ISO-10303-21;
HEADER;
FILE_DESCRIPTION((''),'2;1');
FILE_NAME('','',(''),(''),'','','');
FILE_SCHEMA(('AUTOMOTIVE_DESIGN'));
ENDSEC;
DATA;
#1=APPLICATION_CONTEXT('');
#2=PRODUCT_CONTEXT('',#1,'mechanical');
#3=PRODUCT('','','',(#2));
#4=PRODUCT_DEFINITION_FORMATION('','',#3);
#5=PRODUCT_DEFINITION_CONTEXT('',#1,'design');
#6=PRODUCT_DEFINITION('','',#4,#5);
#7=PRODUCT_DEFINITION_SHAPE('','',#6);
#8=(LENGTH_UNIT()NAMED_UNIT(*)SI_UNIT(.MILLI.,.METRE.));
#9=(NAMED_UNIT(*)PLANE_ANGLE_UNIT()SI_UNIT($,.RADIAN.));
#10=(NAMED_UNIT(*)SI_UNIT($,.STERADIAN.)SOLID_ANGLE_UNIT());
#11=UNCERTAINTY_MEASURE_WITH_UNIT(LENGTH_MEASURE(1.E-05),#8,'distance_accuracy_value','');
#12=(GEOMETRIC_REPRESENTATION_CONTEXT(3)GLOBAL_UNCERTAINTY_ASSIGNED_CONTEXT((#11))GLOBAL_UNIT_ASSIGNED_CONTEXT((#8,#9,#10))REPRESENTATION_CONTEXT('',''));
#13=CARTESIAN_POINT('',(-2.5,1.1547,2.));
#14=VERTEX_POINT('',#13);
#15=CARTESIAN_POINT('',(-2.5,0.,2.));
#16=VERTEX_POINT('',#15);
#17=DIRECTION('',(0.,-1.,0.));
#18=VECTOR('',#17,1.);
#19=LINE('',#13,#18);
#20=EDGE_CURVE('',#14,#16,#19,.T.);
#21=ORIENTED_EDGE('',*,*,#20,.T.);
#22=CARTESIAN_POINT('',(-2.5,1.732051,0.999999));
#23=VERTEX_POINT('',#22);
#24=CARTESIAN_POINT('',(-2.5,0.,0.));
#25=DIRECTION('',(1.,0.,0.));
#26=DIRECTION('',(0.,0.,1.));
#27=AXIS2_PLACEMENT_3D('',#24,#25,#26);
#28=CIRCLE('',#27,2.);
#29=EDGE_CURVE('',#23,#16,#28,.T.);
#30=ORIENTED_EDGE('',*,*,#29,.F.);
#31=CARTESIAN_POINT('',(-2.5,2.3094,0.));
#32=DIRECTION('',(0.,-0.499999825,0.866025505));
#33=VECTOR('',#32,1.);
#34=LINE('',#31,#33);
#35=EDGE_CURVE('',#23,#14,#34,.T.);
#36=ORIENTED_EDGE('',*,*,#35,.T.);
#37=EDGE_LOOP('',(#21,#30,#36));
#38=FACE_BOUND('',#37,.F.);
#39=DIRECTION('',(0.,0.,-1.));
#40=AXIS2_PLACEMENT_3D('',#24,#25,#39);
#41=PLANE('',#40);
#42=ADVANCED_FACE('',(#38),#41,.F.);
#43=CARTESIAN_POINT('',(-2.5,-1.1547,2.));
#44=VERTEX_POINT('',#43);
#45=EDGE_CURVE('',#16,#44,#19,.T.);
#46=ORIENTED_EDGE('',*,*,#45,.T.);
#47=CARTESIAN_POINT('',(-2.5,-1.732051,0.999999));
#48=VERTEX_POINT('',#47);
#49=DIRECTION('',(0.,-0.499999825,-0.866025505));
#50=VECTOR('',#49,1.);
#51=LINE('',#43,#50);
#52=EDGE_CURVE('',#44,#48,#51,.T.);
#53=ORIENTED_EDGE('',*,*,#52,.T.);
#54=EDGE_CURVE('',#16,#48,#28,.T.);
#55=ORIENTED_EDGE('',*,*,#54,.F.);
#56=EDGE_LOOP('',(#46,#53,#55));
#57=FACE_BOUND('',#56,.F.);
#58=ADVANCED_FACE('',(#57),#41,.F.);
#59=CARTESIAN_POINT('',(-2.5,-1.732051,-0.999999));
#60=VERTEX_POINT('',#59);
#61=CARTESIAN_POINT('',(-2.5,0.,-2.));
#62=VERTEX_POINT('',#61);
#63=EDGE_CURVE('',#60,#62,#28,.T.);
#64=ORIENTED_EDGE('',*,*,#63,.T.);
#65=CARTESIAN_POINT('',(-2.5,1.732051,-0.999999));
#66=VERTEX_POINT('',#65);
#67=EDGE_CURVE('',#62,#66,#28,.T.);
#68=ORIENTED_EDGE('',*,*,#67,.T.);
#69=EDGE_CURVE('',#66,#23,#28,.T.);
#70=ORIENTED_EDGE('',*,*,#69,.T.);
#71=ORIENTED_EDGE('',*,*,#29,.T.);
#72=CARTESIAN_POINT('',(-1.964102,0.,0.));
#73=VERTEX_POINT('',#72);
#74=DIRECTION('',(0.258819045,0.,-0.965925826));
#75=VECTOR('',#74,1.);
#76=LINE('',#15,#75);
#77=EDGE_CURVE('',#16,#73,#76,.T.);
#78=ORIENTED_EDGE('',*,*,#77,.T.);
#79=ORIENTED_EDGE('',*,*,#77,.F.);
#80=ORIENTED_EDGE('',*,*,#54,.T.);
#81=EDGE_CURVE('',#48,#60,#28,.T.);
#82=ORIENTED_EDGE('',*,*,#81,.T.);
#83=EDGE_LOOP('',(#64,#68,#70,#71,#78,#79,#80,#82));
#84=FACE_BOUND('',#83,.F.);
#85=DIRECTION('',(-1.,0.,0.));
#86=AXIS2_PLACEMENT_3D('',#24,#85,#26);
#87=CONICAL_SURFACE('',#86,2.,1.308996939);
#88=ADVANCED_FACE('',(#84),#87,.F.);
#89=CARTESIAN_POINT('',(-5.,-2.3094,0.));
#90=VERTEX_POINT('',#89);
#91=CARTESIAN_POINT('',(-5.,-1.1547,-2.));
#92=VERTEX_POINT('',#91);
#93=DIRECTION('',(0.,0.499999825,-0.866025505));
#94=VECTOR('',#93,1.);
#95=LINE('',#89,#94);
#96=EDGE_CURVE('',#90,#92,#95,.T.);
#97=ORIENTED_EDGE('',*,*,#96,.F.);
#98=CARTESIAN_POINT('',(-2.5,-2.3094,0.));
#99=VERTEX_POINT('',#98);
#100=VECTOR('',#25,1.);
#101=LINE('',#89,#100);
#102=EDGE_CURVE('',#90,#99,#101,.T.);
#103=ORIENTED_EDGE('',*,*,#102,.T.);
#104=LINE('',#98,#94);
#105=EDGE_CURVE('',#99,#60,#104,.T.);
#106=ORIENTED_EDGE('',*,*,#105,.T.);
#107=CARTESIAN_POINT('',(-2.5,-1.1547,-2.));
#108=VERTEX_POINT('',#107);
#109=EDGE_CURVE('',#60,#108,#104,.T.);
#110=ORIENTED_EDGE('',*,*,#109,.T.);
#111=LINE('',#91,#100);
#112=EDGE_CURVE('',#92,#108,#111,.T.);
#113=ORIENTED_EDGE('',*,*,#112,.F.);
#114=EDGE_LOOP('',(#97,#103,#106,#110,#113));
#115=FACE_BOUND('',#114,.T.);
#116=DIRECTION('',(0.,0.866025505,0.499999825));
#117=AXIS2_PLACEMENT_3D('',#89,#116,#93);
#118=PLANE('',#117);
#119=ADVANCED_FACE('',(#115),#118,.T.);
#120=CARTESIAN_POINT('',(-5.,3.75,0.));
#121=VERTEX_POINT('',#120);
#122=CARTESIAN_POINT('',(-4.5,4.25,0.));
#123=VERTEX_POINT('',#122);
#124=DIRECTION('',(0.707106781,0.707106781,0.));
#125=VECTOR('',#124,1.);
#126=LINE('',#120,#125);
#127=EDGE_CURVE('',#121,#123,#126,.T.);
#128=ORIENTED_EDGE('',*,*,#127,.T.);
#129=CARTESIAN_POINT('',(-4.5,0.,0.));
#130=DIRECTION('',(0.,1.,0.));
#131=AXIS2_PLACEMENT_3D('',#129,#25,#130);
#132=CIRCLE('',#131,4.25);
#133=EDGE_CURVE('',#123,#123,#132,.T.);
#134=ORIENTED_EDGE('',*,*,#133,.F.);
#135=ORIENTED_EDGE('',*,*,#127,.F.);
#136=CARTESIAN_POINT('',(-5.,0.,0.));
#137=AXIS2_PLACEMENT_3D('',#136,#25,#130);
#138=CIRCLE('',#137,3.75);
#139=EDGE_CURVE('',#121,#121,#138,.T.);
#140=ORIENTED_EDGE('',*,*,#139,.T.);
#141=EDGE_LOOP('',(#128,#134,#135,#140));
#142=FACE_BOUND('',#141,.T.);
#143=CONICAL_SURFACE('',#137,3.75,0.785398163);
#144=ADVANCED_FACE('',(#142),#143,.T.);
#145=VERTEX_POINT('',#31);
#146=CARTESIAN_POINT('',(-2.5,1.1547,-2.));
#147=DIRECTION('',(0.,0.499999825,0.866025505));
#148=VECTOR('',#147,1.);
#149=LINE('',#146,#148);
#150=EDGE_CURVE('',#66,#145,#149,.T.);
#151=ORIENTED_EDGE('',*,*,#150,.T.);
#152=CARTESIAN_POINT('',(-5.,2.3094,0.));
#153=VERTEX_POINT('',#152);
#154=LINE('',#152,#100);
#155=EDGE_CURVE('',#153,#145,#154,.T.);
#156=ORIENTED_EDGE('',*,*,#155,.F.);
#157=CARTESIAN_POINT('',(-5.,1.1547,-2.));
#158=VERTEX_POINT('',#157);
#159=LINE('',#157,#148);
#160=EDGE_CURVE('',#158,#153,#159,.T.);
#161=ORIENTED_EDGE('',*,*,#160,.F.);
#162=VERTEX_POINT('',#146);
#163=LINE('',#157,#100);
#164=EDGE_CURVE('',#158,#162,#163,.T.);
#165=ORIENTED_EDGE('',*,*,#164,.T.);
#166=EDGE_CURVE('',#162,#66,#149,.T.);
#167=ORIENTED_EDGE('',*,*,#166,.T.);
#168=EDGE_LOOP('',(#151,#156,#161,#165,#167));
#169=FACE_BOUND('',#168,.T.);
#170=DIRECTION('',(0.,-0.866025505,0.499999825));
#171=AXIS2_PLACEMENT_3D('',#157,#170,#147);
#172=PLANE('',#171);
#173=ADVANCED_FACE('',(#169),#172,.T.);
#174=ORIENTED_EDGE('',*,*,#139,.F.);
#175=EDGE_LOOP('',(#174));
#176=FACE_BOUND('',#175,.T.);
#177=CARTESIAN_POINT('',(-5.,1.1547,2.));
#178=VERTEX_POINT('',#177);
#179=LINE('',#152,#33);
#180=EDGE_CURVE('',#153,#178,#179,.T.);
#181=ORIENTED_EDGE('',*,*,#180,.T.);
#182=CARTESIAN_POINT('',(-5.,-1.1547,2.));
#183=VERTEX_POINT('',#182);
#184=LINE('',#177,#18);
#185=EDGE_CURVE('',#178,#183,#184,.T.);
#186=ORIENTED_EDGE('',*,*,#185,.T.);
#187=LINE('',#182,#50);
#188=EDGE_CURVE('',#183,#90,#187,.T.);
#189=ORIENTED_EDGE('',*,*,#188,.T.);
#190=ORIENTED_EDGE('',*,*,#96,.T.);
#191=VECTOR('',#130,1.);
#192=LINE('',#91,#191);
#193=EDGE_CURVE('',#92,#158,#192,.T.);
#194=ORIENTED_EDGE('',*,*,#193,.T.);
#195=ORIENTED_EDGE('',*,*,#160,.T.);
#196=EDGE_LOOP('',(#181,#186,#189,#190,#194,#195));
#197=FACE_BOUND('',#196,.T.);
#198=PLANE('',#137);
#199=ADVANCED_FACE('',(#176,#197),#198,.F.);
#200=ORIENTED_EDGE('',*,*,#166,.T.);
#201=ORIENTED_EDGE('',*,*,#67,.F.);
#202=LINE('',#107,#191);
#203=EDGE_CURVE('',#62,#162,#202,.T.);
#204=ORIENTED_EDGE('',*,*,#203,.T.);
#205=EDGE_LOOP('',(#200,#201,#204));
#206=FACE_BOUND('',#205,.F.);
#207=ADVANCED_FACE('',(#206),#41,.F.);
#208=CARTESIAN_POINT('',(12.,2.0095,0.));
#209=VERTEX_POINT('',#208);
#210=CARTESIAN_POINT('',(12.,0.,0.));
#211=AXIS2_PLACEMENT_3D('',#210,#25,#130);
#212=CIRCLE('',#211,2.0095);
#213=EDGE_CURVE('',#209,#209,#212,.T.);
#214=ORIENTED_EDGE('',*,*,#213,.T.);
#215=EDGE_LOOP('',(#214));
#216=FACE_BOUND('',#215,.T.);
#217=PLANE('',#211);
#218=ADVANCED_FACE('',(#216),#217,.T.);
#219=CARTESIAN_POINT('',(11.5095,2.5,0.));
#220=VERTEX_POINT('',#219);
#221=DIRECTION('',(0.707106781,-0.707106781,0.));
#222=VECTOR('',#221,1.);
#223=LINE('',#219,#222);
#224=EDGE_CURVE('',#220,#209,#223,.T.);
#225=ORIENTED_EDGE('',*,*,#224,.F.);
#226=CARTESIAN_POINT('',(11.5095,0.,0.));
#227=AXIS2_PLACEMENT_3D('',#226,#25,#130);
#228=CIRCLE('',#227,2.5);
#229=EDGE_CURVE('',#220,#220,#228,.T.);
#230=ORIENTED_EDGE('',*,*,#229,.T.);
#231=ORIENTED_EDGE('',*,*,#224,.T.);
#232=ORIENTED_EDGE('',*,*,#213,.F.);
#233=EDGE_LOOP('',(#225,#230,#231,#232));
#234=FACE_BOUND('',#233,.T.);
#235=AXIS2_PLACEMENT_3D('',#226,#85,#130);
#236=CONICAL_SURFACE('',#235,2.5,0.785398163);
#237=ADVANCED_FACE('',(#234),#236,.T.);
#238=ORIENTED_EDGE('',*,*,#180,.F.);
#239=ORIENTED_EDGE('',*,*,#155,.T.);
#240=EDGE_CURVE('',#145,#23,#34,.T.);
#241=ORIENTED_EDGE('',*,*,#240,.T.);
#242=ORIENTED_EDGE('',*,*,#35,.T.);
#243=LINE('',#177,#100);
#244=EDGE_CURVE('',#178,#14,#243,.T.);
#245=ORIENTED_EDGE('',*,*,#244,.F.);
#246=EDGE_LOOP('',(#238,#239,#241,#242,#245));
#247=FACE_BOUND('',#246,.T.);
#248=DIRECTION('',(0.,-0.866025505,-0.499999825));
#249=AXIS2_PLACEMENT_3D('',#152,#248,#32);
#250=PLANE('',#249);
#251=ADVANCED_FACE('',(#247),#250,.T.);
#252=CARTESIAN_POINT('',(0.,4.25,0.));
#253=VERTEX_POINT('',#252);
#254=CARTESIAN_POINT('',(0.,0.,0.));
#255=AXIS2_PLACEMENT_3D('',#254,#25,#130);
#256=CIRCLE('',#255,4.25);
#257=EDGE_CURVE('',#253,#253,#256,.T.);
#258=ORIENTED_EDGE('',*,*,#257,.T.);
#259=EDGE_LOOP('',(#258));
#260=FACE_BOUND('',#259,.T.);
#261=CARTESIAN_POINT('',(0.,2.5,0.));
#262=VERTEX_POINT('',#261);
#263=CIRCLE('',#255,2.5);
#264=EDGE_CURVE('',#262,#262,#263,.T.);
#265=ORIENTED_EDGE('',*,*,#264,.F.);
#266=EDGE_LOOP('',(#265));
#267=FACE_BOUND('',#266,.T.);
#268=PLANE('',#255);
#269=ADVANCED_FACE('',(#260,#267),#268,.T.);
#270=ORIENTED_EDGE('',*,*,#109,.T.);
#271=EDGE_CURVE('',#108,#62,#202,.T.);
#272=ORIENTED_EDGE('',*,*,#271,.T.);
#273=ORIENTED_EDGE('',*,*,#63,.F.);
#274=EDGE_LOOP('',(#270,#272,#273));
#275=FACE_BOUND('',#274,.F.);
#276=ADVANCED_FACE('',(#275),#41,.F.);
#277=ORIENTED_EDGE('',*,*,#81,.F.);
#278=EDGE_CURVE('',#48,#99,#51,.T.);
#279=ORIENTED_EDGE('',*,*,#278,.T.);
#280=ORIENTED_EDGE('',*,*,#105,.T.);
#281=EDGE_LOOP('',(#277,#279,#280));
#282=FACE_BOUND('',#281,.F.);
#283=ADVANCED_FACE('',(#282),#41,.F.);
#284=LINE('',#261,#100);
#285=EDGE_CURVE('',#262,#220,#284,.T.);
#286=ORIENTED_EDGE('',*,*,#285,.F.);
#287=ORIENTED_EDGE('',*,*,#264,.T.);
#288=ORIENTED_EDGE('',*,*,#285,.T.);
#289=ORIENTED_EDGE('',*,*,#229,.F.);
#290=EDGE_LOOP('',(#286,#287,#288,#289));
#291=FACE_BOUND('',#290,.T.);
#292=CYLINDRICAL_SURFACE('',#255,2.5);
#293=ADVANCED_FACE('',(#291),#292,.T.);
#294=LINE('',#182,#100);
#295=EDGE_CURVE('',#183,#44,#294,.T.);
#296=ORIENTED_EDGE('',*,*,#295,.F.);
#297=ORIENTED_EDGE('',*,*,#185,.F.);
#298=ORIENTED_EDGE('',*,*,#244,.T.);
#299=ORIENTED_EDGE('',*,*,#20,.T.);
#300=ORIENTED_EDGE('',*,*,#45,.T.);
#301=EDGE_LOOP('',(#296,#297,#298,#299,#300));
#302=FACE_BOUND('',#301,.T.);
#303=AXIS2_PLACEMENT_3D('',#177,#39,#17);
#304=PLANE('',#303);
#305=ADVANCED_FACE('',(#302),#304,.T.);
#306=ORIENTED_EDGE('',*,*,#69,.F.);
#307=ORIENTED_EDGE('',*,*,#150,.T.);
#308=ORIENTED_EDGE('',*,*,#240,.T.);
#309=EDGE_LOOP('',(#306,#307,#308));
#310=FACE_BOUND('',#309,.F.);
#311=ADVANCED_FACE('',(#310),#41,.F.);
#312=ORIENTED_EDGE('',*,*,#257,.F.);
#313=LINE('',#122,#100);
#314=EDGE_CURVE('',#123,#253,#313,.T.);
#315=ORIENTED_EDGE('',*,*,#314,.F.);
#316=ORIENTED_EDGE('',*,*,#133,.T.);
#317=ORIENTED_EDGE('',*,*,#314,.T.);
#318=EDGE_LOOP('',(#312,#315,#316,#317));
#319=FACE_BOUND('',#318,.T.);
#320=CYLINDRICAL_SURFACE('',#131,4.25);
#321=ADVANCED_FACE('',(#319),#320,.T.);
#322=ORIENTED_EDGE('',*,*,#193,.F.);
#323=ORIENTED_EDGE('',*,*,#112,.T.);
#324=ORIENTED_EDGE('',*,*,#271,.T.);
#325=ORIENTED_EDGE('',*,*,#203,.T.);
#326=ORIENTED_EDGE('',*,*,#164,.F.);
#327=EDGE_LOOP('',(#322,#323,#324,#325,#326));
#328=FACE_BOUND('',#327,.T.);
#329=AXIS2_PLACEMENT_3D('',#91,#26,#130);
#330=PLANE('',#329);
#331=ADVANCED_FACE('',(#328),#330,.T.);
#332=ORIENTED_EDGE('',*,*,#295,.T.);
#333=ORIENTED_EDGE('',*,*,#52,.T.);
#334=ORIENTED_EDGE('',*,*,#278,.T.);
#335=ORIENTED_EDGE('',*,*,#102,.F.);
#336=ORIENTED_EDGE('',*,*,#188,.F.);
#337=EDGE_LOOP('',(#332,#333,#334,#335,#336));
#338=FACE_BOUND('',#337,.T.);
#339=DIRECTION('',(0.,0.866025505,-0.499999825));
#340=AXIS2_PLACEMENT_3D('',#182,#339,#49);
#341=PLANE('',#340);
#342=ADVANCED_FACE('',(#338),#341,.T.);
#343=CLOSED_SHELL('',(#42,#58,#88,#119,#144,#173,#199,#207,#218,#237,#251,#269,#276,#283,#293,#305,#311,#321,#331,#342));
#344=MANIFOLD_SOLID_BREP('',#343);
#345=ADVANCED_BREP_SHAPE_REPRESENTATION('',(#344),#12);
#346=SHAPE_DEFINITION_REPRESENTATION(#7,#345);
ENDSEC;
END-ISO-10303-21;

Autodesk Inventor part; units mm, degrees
sketch "Sketch_1" plane through (0, 0, 0) normal (0, 0, 1) x (1, 0, 0)
  line L0 (12, 0) -> (-5, 0)
  line L1 (-5, 0) -> (-5, 3.75)
  line L2 (-5, 3.75) -> (-4.5, 4.25)
  line L3 (-4.5, 4.25) -> (0, 4.25)
  line L4 (0, 4.25) -> (0, 2.5)
  line L5 (0, 2.5) -> (11.5095, 2.5)
  line L6 (11.5095, 2.5) -> (12, 2.0095)
  line L7 (12, 2.0095) -> (12, 0)
  line L8 (12, 0) -> (-5, 0)
revolve "Revolution1" add sketch "Sketch_1" angle 360 about axis through (12, 0, 0) along (1, 0, 0)
thread "Thread1" size "M5x0.8" class "6g" standard "ISO Metric profile" length 10.5095
sketch "Sketch2" plane through (-5, 0, 0) normal (-1, 0, 0) x (0, 0, 1)
  point P0 (0, 0)
hole "Hole1" at (-5, 0, 0) direction (1, 0, 0) diameter 4 depth 2.5 tip angle 150
sketch "Sketch_3" plane through (-5, 0, 0) normal (1, 0, 0) x (0, 0, -1)
  line L0 (-2, 1.1547) -> (-2, -1.1547)
  line L1 (-2, -1.1547) -> (0, -2.3094)
  line L2 (0, -2.3094) -> (2, -1.1547)
  line L3 (2, -1.1547) -> (2, 1.1547)
  line L4 (2, 1.1547) -> (0, 2.3094)
  line L5 (0, 2.3094) -> (-2, 1.1547)
extrude "Extrusion1" cut sketch "Sketch_3" along normal blind 2.5
ref_plane "bolt_to_nut_XY" through (12, 0, 0) normal (1, 0, 0) x (0, 0, -1)
ref_plane "bolt_to_nut_YZ" through (12, 0, 0) normal (0, 0, -1) x (0, 1, 0)
ref_plane "bolt_to_nut_ZX" through (12, 0, 0) normal (0, 1, 0) x (1, 0, 0)
ref_plane "screw1_XY" through (0, 0, 0) normal (1, 0, 0) x (0, 0, -1)
ref_plane "screw1_YZ" through (0, 0, 0) normal (0, 0, -1) x (0, 1, 0)
ref_plane "screw1_ZX" through (0, 0, 0) normal (0, 1, 0) x (1, 0, 0)
properties part number "CB5-12" material "鋼、炭素鋼"
